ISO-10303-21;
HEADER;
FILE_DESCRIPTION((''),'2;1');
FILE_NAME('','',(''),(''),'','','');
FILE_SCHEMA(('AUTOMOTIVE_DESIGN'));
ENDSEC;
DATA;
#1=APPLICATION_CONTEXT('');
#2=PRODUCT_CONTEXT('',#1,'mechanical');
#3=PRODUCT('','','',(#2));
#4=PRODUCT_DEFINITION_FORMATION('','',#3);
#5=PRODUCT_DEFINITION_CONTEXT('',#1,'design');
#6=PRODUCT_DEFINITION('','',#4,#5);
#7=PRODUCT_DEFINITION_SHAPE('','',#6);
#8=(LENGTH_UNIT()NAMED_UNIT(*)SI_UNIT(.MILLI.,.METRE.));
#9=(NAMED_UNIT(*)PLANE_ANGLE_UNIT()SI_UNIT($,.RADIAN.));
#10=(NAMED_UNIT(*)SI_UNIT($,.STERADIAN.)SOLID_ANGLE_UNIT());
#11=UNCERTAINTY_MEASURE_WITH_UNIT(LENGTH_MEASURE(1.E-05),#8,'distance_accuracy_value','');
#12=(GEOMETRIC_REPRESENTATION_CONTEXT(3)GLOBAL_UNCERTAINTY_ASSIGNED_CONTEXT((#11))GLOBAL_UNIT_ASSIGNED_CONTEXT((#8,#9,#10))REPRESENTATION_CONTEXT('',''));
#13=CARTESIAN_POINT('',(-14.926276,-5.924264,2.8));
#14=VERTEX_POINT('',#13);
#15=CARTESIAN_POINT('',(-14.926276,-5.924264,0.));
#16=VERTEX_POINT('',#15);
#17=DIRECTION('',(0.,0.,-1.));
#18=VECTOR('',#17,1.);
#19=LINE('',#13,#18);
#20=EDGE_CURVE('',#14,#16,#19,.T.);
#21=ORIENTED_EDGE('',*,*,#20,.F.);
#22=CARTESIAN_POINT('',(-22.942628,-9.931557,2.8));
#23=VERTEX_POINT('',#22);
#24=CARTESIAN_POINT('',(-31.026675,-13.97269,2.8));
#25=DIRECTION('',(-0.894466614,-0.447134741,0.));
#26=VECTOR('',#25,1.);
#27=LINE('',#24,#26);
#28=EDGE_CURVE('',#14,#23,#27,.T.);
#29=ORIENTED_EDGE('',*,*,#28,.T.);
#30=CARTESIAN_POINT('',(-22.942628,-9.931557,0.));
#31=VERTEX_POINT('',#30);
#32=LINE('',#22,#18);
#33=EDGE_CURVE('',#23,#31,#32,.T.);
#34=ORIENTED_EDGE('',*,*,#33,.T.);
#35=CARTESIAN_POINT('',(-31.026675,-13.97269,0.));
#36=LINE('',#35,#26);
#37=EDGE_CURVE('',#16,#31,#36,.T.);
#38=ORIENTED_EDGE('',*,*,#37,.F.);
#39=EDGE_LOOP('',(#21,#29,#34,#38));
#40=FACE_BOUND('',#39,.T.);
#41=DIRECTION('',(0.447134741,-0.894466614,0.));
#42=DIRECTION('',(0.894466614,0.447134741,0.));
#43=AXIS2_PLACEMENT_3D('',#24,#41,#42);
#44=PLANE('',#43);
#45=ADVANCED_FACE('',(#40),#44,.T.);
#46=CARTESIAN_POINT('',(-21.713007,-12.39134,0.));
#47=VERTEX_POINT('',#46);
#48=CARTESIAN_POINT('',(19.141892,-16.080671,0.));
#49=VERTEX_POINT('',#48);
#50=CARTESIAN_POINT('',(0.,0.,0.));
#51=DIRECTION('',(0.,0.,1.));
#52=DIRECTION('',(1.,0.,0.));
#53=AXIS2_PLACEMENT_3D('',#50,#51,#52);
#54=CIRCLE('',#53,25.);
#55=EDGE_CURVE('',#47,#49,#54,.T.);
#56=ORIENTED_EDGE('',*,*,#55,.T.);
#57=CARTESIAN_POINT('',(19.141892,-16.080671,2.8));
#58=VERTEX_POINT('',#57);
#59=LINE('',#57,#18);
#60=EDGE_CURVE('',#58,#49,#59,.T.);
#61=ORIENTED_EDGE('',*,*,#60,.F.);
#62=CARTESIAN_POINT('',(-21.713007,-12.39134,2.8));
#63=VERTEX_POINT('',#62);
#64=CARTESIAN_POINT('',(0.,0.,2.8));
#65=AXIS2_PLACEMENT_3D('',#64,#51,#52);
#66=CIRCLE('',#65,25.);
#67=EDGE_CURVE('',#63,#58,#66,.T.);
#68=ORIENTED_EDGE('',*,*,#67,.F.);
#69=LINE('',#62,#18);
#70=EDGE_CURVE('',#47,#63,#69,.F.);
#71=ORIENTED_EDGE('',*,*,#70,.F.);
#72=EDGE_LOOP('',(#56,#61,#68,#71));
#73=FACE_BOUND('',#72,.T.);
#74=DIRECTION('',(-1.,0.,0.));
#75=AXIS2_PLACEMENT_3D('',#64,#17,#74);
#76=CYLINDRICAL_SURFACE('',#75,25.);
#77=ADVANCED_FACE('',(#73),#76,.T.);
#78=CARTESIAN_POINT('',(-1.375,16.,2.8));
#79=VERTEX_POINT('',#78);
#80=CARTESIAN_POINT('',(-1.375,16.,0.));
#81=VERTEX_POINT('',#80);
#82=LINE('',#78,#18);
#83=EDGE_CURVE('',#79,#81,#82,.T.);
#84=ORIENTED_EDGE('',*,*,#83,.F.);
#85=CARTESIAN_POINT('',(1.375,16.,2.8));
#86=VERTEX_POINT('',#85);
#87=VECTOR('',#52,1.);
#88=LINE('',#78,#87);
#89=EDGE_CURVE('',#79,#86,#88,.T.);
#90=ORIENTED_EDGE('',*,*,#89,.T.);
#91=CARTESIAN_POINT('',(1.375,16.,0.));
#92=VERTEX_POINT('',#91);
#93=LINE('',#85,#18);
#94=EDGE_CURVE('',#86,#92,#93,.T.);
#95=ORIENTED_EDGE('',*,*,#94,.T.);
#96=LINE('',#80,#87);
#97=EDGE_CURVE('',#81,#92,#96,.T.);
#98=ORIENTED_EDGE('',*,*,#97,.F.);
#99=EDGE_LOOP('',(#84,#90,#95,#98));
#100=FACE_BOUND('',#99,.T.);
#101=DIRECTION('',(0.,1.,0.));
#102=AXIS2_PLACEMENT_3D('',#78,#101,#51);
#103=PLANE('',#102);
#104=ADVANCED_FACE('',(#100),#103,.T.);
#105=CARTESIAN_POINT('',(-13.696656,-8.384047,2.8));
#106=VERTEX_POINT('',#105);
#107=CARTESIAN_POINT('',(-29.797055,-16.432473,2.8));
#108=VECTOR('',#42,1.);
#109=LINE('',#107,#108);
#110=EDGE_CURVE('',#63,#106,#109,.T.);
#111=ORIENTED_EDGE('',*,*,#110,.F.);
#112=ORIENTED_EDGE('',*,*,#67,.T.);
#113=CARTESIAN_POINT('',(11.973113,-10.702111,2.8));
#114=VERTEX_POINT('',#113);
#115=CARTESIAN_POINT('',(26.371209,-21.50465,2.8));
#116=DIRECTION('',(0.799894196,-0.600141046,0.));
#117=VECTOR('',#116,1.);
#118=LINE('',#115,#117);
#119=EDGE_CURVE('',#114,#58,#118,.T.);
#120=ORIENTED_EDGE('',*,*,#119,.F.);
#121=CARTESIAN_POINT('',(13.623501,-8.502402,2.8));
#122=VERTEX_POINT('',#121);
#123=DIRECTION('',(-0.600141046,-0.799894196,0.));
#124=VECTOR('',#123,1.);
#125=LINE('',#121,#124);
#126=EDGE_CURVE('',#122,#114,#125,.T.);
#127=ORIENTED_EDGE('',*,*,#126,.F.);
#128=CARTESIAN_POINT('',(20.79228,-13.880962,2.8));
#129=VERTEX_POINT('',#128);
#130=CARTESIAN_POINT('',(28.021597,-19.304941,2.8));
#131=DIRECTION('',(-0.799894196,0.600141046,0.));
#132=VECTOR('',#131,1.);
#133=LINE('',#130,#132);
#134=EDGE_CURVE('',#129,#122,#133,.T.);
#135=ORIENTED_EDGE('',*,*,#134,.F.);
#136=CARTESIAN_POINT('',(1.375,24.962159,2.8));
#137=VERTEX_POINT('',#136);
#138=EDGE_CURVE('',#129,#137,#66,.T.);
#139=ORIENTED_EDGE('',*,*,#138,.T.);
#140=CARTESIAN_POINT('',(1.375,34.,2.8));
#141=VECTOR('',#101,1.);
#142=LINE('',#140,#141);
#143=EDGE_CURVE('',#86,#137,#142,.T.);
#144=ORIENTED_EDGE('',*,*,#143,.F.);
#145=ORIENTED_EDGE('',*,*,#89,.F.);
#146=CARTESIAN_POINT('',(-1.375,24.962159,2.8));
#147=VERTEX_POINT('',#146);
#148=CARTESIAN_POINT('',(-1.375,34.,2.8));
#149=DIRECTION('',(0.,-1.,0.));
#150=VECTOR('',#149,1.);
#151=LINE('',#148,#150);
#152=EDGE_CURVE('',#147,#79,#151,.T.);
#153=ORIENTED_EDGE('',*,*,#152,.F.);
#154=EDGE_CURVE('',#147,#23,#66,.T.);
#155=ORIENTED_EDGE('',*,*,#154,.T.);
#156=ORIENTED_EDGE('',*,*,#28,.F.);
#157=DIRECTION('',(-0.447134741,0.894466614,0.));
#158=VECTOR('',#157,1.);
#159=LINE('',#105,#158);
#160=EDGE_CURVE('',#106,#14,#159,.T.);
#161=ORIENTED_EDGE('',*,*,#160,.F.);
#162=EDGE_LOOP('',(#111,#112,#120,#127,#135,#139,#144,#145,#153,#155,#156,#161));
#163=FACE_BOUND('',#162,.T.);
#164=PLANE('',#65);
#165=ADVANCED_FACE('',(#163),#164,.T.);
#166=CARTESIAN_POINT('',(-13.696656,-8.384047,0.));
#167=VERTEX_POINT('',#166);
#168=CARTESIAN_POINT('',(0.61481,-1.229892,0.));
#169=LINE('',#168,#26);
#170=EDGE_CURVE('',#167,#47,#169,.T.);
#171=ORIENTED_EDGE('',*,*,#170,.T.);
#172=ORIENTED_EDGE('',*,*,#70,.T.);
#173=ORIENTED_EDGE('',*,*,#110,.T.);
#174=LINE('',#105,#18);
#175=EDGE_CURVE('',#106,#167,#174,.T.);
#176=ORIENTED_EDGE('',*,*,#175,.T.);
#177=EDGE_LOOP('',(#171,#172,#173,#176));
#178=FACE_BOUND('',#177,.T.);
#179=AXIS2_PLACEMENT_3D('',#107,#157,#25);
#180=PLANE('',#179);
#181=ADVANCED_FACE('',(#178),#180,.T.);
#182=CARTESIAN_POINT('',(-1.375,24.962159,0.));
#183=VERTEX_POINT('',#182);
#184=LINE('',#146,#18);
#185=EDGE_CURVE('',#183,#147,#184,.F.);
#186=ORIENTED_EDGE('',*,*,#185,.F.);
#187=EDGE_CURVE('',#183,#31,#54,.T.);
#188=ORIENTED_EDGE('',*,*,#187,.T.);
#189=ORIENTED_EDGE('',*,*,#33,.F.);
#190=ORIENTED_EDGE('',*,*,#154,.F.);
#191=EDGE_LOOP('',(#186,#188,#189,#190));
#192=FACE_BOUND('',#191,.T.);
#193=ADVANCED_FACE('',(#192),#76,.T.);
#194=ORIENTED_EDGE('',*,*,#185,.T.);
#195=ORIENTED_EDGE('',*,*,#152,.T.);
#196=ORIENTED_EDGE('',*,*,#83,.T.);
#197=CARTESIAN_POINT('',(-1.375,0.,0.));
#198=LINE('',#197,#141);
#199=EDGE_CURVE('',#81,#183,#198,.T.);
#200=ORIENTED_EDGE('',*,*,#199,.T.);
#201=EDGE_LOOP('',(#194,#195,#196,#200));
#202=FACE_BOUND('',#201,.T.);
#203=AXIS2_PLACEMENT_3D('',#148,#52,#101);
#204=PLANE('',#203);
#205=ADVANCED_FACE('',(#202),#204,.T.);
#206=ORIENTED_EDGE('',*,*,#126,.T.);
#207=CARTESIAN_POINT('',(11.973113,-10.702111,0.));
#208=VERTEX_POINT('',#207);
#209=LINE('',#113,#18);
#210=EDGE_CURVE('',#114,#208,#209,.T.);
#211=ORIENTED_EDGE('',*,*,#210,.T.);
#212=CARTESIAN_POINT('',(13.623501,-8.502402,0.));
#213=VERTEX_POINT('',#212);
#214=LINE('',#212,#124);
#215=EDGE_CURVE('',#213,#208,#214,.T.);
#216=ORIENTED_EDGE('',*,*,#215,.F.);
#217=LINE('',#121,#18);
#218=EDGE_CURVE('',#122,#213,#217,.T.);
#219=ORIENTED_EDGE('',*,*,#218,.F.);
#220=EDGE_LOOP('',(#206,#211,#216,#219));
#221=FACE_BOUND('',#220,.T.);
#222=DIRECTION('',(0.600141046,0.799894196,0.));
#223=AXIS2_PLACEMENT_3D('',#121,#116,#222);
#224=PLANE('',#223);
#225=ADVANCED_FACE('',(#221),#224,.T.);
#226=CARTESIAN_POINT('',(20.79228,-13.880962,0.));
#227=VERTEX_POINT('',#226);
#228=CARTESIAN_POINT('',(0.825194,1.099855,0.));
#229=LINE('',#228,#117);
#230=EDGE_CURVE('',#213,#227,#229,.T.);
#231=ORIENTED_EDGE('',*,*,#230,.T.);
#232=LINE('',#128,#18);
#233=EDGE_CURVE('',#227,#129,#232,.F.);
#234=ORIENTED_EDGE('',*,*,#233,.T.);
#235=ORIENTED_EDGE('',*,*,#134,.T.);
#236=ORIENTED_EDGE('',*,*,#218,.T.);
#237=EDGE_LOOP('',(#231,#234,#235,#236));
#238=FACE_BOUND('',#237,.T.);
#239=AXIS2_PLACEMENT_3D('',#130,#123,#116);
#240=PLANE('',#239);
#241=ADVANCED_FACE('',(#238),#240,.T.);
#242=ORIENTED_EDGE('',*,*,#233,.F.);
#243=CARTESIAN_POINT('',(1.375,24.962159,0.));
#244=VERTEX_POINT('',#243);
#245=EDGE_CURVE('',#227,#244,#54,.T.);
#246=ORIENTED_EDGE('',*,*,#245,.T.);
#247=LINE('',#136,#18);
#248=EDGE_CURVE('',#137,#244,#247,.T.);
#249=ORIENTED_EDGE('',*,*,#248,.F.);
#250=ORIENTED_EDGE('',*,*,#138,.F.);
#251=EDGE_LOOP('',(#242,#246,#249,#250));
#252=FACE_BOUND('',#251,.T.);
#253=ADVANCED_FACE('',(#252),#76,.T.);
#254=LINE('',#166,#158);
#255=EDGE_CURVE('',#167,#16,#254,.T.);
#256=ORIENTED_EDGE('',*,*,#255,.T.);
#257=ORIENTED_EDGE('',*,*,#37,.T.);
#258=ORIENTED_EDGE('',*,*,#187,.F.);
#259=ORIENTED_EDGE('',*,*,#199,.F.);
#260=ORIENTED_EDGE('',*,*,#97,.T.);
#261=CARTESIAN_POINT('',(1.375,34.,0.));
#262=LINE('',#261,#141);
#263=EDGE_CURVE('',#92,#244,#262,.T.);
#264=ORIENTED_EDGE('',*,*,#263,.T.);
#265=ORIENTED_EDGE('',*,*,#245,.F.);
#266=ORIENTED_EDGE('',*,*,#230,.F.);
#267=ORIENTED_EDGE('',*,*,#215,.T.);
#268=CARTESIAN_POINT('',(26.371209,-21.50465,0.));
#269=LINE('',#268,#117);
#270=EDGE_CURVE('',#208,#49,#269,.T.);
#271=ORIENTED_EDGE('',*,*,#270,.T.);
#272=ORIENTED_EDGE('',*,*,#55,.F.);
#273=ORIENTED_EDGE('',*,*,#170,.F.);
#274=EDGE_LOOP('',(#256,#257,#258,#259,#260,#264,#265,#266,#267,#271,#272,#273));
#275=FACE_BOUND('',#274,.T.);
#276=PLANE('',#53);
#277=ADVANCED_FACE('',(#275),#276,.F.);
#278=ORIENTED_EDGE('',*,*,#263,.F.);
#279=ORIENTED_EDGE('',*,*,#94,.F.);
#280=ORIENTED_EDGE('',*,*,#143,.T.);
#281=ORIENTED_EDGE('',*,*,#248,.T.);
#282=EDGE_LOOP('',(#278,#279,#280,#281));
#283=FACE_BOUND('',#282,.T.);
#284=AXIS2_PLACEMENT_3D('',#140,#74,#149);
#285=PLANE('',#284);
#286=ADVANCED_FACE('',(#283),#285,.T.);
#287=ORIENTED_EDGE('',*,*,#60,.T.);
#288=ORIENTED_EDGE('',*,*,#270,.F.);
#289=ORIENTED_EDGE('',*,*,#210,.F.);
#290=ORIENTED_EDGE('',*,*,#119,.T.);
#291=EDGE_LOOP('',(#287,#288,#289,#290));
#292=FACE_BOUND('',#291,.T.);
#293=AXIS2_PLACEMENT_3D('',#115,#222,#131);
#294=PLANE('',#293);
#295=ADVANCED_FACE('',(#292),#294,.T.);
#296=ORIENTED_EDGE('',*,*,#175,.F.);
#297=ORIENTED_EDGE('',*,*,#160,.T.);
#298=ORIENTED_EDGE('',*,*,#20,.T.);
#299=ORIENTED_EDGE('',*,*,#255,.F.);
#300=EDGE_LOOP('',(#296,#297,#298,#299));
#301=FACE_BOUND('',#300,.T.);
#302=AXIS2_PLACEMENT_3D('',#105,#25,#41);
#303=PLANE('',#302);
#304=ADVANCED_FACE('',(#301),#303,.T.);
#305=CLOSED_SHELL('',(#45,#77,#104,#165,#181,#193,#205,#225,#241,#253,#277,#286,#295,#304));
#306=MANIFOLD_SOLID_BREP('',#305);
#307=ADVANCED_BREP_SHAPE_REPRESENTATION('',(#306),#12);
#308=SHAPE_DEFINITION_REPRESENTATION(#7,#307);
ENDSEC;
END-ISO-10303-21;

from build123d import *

# Parameters (mm, degrees)
CROQUIS1_R              = 25
SALIENTE_EXTRUIR1_DEPTH = 2.8
CROQUIS2_W              = 2.75
CROQUIS2_H              = 18
CORTAR_EXTRUIR1_DEPTH   = 3.8
MATRIZC2_COUNT          = 3
MATRIZC2_ANGLE          = 233.12


with BuildPart() as part:
    # Croquis1 → Saliente-Extruir1 (new body)
    with BuildSketch(Plane.XY):
        Circle(CROQUIS1_R)
    extrude(amount=SALIENTE_EXTRUIR1_DEPTH)

    # Croquis2 → Cortar-Extruir1 (cut, through all)
    with BuildSketch(Plane.XY):
        with Locations((0, 25)):
            Rectangle(CROQUIS2_W, CROQUIS2_H)
    cortar_extruir1 = extrude(amount=CORTAR_EXTRUIR1_DEPTH, mode=Mode.SUBTRACT)

    # MatrizC2: Cortar-Extruir1 ×3 about axis
    matrizc2_axis = Axis((0, 0, 0), (0, 0, 1))
    for i in range(1, MATRIZC2_COUNT):
        add(cortar_extruir1.rotate(matrizc2_axis, i * MATRIZC2_ANGLE / (MATRIZC2_COUNT - 1)), mode=Mode.SUBTRACT)


solid = part.part
